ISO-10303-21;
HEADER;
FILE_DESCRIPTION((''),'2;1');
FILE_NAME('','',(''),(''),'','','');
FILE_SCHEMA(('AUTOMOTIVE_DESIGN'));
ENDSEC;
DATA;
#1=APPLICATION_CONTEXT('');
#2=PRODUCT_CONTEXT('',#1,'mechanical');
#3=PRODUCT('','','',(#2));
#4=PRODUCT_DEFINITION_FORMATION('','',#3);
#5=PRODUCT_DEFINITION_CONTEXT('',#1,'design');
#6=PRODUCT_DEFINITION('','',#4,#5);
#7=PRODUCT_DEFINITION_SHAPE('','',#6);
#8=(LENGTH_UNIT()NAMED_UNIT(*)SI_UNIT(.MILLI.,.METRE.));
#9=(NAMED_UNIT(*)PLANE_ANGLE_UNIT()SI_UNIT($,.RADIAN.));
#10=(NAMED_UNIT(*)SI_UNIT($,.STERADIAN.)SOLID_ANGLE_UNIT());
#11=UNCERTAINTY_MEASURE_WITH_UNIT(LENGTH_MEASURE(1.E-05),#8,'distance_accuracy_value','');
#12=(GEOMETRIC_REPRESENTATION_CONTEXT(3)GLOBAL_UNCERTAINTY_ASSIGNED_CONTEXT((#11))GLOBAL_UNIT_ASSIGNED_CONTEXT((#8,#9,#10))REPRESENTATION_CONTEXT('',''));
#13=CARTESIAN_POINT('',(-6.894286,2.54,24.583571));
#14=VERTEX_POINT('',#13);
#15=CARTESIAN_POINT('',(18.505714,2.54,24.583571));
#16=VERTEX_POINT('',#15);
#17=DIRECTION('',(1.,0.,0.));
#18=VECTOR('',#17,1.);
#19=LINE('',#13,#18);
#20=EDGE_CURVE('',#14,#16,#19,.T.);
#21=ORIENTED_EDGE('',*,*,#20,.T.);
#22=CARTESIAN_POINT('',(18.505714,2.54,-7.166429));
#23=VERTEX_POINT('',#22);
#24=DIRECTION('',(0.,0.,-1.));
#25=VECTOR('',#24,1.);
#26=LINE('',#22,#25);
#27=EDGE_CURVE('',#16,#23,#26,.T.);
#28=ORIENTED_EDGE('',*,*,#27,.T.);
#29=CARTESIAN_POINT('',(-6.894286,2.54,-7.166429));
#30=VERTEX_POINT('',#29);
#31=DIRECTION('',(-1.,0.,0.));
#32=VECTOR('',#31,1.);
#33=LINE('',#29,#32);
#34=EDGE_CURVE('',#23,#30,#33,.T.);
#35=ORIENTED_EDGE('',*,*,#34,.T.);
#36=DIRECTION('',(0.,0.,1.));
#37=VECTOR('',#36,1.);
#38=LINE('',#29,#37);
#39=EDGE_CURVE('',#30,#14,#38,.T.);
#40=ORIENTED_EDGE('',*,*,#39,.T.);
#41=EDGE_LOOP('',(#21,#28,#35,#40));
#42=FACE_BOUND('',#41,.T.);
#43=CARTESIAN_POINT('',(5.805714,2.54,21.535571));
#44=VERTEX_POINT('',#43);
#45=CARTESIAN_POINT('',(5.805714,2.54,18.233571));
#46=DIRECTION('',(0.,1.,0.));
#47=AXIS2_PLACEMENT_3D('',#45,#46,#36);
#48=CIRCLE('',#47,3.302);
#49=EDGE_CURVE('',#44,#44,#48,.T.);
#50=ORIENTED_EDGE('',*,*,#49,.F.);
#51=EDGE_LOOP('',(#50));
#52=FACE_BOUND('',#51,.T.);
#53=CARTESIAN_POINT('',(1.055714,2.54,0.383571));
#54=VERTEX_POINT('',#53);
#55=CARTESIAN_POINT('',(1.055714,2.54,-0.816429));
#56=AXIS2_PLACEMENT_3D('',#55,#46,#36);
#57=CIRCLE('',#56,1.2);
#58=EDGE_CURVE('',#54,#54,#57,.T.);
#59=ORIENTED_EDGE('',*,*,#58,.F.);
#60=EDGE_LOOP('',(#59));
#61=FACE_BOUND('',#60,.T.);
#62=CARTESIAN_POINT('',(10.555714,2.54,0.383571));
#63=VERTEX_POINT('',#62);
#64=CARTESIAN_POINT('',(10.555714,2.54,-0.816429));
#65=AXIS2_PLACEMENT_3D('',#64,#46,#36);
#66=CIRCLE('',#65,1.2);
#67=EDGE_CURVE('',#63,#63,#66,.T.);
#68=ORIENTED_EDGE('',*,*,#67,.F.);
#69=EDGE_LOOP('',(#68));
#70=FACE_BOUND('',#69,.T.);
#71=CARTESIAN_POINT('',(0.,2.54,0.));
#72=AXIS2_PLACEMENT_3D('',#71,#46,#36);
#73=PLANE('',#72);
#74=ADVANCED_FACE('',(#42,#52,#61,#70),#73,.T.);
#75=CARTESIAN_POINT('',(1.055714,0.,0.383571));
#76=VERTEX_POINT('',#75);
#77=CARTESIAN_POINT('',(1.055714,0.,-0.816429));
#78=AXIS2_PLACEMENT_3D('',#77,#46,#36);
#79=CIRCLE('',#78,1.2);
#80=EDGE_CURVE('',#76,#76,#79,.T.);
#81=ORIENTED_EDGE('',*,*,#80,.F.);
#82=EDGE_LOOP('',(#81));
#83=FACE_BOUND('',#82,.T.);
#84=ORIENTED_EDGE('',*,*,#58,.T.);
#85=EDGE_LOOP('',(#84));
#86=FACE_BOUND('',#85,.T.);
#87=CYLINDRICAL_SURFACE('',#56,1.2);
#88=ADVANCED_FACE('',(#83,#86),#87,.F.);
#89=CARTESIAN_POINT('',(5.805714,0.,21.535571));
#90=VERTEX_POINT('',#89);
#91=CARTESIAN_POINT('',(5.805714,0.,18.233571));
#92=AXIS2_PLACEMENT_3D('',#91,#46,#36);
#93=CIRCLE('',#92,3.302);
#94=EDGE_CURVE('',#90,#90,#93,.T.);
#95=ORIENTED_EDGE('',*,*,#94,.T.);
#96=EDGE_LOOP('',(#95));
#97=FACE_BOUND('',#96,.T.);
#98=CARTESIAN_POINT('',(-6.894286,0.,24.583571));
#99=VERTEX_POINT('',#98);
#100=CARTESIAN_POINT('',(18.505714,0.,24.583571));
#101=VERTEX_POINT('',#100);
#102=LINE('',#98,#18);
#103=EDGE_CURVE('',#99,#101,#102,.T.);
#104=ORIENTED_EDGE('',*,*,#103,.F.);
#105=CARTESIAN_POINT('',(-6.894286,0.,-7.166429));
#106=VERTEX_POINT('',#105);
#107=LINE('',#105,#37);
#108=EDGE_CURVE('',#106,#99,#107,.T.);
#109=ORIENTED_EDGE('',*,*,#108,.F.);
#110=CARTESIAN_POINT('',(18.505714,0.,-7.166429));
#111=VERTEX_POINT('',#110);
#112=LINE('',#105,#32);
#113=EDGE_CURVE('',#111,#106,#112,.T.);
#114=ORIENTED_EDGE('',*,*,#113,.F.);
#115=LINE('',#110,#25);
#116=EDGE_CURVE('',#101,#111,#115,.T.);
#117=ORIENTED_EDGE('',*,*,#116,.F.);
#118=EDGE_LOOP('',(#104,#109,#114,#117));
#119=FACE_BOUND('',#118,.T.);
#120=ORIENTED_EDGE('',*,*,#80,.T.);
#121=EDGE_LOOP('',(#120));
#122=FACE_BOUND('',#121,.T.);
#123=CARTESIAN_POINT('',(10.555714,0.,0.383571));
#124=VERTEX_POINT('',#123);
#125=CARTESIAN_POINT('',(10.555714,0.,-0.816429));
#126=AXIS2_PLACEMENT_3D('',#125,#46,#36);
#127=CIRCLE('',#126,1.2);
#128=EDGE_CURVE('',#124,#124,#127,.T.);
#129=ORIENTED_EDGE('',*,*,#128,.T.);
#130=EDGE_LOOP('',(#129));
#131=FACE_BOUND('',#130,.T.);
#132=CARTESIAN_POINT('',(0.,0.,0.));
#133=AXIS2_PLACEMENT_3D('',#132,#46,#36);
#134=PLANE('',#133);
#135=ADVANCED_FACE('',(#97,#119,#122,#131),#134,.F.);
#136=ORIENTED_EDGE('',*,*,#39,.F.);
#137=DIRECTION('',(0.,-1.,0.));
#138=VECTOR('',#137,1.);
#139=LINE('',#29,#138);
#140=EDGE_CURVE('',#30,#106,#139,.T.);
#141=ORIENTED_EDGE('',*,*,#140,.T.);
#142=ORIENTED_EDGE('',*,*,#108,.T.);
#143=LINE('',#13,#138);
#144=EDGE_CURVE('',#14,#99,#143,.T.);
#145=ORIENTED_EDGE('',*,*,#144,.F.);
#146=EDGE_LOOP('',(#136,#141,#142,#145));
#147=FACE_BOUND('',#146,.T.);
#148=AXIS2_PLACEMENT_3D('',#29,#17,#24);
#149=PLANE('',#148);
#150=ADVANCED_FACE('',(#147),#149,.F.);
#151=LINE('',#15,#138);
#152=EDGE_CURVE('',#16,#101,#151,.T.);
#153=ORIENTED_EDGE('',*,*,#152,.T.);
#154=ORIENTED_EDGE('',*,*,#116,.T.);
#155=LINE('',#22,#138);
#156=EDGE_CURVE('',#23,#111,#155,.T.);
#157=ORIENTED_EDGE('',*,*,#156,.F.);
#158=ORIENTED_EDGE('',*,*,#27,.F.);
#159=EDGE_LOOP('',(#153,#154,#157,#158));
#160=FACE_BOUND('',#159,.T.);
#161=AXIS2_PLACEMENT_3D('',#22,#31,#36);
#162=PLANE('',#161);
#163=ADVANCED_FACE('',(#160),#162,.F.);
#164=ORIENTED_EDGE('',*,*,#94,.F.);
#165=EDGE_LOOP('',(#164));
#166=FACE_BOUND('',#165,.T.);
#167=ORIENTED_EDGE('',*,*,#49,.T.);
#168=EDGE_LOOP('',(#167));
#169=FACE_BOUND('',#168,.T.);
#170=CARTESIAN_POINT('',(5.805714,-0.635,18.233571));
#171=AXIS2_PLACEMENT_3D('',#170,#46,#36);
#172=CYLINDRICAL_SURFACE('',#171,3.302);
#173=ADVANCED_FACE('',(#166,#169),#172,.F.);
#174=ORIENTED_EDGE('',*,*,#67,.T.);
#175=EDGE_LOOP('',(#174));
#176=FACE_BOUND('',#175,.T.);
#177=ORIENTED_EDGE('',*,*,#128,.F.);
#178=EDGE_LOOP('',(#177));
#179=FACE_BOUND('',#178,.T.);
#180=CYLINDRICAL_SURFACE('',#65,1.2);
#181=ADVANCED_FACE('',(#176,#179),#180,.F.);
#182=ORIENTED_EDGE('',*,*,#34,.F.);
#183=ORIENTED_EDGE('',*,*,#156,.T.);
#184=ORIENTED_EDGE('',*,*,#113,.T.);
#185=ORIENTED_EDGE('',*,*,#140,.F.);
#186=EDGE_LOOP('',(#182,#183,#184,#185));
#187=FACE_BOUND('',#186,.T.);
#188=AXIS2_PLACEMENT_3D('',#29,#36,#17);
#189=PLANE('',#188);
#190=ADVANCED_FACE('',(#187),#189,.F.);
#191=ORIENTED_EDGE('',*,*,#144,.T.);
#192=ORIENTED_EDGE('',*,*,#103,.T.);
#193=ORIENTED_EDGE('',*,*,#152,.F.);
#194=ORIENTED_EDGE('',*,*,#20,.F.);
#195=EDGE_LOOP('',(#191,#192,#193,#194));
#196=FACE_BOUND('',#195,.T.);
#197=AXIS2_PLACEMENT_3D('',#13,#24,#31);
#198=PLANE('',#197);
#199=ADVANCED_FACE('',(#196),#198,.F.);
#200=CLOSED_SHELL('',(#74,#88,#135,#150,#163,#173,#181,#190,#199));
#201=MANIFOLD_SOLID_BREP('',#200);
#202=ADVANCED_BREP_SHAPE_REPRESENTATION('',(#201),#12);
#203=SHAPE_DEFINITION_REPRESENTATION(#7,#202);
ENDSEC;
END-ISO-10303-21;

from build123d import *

# Parameters (mm, degrees)
SKETCH2_W                  = 25.4
SKETCH2_H                  = 31.75
BOSS_EXTRUDE1_DEPTH        = 2.54
F_2_4_2_4_DIAMETER_SLOT2_D = 2.4
SKETCH10_R                 = 3.302
CUT_EXTRUDE1_DEPTH         = 3.175


with BuildPart() as part:
    # Sketch2 → Boss-Extrude1 (new body)
    with BuildSketch(Plane(origin=(0, 0, 0), x_dir=(1, 0, 0), z_dir=(0, 1, 0))):
        with Locations((5.805714286, -8.708571429)):
            Rectangle(SKETCH2_W, SKETCH2_H)
    extrude(amount=BOSS_EXTRUDE1_DEPTH)

    # Ø2.4 (2.4) Diameter Slot2 (through all)
    with Locations(Plane(origin=(0, 2.54, 0), x_dir=(1, 0, 0), z_dir=(0, 1, 0))):
        with Locations((1.055714286, 0.816428571), (10.555714286, 0.816428571)):
            Hole(F_2_4_2_4_DIAMETER_SLOT2_D / 2)

    # Sketch10 → Cut-Extrude1 (cut)
    with BuildSketch(Plane(origin=(0, 2.54, 0), x_dir=(1, 0, 0), z_dir=(0, 1, 0))):
        with Locations(Location((5.805714286, -18.233571429, 0), (0, 0, 270))):
            Circle(SKETCH10_R)
    extrude(amount=-CUT_EXTRUDE1_DEPTH, mode=Mode.SUBTRACT)


solid = part.part
